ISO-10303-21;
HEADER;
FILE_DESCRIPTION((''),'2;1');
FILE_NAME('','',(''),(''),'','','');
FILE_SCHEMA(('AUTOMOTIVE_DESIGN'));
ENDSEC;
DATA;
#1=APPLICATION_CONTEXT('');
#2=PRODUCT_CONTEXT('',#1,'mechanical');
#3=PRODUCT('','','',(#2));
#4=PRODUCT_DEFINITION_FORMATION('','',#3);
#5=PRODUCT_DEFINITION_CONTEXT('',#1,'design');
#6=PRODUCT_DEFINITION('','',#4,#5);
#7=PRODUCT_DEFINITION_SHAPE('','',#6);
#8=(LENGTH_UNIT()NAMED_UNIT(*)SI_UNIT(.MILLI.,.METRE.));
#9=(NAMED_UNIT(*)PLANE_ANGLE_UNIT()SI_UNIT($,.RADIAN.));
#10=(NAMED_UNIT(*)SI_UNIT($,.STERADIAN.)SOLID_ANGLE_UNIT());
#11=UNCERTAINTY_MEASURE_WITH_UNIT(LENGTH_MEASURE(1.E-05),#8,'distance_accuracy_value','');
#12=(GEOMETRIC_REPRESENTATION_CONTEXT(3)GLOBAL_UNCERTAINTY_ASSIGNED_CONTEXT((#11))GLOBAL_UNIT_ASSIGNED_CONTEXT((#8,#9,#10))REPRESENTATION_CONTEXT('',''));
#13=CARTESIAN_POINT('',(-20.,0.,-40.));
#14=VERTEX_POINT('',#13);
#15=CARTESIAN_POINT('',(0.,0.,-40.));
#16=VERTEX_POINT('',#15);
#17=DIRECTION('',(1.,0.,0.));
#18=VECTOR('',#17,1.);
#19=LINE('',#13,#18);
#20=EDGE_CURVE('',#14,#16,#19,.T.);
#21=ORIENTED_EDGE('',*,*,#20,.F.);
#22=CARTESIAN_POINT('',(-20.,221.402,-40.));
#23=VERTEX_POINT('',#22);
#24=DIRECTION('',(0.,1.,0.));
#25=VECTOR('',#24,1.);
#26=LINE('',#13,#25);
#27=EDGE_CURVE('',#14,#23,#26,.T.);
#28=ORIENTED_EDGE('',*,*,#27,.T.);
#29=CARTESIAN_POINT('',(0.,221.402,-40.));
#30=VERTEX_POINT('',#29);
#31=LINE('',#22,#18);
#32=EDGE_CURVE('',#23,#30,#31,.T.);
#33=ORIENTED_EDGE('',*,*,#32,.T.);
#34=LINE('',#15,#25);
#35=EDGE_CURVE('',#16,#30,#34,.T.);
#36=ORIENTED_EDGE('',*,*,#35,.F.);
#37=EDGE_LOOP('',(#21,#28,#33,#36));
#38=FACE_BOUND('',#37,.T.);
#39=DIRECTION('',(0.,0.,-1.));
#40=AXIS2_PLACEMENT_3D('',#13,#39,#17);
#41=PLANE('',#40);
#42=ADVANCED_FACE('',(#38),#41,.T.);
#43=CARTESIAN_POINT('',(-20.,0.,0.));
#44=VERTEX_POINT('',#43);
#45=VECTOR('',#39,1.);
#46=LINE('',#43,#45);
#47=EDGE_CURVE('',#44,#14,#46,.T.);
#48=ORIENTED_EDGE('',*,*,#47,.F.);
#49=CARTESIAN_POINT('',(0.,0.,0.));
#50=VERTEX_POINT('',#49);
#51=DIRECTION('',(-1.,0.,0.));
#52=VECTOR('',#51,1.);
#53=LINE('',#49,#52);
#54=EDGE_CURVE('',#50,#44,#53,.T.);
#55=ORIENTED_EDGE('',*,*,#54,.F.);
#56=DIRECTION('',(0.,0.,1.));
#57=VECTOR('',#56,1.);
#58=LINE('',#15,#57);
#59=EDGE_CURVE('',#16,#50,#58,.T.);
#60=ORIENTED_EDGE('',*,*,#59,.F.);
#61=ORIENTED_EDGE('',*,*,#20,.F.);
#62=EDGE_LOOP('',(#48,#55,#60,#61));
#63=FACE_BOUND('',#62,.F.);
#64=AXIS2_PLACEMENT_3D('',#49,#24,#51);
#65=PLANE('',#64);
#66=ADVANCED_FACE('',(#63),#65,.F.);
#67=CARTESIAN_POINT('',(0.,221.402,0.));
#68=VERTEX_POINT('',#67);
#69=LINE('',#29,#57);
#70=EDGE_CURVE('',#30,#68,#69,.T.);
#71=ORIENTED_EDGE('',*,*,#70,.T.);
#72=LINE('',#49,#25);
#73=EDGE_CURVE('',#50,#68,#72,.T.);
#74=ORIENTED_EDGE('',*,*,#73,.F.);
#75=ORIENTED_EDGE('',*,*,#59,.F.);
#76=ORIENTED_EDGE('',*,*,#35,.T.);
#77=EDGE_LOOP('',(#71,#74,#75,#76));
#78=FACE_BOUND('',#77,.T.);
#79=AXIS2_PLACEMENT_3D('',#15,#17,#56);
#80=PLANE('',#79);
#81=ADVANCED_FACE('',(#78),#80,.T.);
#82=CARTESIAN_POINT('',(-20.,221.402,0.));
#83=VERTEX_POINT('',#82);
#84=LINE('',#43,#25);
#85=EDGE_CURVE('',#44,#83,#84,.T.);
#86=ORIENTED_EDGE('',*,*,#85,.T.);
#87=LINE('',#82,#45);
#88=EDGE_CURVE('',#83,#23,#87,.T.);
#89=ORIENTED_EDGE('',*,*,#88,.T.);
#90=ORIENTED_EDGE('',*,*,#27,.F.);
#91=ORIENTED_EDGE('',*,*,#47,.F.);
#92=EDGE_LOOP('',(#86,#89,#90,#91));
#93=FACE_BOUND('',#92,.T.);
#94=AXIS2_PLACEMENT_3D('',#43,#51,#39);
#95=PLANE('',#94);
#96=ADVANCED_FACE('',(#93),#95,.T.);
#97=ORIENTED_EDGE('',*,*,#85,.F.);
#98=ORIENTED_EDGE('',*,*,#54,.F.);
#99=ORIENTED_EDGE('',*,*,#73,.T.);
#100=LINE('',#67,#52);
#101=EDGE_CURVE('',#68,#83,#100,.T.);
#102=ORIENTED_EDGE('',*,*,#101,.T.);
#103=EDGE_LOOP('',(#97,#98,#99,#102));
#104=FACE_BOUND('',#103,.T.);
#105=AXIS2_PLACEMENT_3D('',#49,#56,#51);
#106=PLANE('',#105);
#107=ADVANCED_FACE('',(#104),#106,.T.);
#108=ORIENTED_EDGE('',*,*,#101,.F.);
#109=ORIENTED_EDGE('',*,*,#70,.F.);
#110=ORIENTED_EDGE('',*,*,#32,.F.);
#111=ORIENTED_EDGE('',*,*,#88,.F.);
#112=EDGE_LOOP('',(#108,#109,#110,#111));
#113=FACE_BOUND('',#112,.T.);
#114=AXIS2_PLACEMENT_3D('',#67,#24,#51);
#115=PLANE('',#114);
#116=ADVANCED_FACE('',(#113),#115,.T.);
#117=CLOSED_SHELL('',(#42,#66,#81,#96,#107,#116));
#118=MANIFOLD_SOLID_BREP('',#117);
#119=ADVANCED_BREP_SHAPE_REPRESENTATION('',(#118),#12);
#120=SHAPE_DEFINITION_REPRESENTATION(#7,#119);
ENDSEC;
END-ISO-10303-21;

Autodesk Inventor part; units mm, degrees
ref_plane "YZ Plane" through (0, 0, 0) normal (1, 0, 0) x (0, 1, 0)
ref_plane "XZ Plane" through (0, 0, 0) normal (0, 1, 0) x (-1, 0, 0)
ref_plane "XY Plane" through (0, 0, 0) normal (0, 0, 1) x (1, 0, 0)
sketch "草图1" plane through (0, 0, 0) normal (0, 1, 0) x (-1, 0, 0)
  line L0 (0, 0) -> (20, 0)
  line L1 (20, 0) -> (20, -40)
  line L2 (20, -40) -> (0, -40)
  line L3 (0, -40) -> (0, 0)
  dimension "d0" = 40
  dimension "d1" = 20
extrude "拉伸1" add sketch "草图1" along normal blind 221.402
properties part number "欧标铝-221.402mm"
